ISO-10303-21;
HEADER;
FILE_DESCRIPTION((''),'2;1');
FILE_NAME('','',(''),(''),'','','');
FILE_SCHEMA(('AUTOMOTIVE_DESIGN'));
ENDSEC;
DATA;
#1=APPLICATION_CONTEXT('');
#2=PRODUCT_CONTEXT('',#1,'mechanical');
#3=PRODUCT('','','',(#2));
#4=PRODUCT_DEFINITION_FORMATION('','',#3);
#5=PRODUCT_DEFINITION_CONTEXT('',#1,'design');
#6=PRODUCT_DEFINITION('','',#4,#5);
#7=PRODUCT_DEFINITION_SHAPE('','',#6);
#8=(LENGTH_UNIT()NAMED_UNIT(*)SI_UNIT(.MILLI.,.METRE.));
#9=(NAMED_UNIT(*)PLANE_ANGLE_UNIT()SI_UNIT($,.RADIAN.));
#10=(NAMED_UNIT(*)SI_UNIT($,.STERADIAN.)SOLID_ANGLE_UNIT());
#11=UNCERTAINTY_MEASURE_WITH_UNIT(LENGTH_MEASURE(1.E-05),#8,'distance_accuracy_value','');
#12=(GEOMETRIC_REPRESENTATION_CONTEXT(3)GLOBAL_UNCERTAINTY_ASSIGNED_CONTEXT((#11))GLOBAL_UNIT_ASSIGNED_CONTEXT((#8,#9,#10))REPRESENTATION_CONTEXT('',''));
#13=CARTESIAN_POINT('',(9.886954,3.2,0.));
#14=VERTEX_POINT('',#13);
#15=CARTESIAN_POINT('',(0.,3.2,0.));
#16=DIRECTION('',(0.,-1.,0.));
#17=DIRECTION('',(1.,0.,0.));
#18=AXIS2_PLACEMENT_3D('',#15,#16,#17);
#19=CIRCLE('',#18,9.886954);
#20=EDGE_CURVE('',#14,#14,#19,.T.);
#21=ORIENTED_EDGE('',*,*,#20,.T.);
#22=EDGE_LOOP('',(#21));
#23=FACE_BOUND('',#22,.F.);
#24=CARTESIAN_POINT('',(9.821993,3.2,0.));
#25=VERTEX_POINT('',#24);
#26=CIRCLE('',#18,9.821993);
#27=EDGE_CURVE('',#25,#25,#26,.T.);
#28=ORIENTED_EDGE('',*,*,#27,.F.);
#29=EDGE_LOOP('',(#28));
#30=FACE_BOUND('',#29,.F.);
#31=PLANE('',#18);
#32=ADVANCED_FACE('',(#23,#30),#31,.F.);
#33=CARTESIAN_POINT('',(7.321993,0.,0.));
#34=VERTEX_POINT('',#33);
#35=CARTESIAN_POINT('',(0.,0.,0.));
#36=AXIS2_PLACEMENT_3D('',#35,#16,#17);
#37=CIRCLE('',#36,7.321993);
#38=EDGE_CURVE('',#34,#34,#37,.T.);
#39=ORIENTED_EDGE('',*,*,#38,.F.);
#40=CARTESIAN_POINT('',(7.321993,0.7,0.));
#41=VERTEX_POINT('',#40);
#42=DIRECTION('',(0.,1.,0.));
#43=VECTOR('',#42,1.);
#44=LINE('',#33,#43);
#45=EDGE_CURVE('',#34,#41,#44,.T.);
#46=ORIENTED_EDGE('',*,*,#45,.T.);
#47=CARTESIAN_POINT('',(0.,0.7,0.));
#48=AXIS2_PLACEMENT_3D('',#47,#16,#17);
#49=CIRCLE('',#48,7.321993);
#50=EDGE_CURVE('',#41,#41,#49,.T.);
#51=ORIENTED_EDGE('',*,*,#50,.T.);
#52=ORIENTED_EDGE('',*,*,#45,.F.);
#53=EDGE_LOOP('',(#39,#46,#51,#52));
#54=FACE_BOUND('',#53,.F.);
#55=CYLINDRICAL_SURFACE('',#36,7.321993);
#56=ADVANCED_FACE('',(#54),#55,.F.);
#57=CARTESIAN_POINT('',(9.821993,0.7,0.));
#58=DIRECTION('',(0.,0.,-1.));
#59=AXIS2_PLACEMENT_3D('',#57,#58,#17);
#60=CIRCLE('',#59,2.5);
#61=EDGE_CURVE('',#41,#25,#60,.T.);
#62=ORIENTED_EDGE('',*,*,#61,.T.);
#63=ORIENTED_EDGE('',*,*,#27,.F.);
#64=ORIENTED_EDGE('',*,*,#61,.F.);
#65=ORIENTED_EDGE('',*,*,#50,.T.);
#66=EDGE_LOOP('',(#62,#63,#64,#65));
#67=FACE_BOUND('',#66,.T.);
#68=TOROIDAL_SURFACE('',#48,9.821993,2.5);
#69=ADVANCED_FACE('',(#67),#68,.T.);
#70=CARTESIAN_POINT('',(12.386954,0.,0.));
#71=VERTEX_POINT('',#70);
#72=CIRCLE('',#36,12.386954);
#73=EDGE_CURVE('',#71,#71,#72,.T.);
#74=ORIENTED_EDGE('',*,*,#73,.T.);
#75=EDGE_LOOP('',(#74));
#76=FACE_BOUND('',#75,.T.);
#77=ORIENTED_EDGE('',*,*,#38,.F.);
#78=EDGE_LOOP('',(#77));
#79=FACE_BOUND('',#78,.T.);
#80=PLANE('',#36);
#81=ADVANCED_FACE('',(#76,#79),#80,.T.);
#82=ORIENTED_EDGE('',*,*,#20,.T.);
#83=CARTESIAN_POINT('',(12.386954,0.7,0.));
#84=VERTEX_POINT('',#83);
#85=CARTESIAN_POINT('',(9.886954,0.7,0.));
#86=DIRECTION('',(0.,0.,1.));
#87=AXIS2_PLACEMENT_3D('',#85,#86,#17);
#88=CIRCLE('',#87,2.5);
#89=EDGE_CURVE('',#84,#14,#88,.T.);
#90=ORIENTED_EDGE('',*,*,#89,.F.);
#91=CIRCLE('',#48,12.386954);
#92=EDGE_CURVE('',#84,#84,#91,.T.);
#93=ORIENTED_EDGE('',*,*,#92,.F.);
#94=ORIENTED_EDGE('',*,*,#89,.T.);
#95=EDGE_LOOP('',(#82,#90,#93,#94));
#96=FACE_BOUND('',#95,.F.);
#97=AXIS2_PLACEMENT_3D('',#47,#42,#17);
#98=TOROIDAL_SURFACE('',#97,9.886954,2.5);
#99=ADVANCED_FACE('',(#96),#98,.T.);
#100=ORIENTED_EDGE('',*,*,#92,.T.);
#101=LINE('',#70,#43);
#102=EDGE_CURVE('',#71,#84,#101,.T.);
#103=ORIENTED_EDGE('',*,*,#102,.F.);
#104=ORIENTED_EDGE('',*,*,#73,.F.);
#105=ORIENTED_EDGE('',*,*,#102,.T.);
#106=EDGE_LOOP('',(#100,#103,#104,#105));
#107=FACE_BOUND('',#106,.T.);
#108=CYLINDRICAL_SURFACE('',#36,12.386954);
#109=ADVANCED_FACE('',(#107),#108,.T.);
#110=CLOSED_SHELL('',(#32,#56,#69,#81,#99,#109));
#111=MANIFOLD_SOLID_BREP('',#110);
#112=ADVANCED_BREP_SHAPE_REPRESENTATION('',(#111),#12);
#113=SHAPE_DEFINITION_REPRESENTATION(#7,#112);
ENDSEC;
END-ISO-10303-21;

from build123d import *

# Parameters (mm, degrees)
F0_R     = 12.386954
F0_R_2   = 7.321993
F1_DEPTH = 3.2
F2_R     = 2.5


with BuildPart() as f1:
    # F0 (on Front) → F1 (new body)
    with BuildSketch(Plane.XZ):
        Circle(F0_R)
        Circle(F0_R_2, mode=Mode.SUBTRACT)
    extrude(amount=-F1_DEPTH)

    # F2
    f2_edges = [f1.edges().sort_by_distance(p)[0] for p in [
        (-12.386954, 3.2, 0),
        (-7.321993, 3.2, 0),
    ]]
    fillet(f2_edges, radius=F2_R)


solid = f1.part
